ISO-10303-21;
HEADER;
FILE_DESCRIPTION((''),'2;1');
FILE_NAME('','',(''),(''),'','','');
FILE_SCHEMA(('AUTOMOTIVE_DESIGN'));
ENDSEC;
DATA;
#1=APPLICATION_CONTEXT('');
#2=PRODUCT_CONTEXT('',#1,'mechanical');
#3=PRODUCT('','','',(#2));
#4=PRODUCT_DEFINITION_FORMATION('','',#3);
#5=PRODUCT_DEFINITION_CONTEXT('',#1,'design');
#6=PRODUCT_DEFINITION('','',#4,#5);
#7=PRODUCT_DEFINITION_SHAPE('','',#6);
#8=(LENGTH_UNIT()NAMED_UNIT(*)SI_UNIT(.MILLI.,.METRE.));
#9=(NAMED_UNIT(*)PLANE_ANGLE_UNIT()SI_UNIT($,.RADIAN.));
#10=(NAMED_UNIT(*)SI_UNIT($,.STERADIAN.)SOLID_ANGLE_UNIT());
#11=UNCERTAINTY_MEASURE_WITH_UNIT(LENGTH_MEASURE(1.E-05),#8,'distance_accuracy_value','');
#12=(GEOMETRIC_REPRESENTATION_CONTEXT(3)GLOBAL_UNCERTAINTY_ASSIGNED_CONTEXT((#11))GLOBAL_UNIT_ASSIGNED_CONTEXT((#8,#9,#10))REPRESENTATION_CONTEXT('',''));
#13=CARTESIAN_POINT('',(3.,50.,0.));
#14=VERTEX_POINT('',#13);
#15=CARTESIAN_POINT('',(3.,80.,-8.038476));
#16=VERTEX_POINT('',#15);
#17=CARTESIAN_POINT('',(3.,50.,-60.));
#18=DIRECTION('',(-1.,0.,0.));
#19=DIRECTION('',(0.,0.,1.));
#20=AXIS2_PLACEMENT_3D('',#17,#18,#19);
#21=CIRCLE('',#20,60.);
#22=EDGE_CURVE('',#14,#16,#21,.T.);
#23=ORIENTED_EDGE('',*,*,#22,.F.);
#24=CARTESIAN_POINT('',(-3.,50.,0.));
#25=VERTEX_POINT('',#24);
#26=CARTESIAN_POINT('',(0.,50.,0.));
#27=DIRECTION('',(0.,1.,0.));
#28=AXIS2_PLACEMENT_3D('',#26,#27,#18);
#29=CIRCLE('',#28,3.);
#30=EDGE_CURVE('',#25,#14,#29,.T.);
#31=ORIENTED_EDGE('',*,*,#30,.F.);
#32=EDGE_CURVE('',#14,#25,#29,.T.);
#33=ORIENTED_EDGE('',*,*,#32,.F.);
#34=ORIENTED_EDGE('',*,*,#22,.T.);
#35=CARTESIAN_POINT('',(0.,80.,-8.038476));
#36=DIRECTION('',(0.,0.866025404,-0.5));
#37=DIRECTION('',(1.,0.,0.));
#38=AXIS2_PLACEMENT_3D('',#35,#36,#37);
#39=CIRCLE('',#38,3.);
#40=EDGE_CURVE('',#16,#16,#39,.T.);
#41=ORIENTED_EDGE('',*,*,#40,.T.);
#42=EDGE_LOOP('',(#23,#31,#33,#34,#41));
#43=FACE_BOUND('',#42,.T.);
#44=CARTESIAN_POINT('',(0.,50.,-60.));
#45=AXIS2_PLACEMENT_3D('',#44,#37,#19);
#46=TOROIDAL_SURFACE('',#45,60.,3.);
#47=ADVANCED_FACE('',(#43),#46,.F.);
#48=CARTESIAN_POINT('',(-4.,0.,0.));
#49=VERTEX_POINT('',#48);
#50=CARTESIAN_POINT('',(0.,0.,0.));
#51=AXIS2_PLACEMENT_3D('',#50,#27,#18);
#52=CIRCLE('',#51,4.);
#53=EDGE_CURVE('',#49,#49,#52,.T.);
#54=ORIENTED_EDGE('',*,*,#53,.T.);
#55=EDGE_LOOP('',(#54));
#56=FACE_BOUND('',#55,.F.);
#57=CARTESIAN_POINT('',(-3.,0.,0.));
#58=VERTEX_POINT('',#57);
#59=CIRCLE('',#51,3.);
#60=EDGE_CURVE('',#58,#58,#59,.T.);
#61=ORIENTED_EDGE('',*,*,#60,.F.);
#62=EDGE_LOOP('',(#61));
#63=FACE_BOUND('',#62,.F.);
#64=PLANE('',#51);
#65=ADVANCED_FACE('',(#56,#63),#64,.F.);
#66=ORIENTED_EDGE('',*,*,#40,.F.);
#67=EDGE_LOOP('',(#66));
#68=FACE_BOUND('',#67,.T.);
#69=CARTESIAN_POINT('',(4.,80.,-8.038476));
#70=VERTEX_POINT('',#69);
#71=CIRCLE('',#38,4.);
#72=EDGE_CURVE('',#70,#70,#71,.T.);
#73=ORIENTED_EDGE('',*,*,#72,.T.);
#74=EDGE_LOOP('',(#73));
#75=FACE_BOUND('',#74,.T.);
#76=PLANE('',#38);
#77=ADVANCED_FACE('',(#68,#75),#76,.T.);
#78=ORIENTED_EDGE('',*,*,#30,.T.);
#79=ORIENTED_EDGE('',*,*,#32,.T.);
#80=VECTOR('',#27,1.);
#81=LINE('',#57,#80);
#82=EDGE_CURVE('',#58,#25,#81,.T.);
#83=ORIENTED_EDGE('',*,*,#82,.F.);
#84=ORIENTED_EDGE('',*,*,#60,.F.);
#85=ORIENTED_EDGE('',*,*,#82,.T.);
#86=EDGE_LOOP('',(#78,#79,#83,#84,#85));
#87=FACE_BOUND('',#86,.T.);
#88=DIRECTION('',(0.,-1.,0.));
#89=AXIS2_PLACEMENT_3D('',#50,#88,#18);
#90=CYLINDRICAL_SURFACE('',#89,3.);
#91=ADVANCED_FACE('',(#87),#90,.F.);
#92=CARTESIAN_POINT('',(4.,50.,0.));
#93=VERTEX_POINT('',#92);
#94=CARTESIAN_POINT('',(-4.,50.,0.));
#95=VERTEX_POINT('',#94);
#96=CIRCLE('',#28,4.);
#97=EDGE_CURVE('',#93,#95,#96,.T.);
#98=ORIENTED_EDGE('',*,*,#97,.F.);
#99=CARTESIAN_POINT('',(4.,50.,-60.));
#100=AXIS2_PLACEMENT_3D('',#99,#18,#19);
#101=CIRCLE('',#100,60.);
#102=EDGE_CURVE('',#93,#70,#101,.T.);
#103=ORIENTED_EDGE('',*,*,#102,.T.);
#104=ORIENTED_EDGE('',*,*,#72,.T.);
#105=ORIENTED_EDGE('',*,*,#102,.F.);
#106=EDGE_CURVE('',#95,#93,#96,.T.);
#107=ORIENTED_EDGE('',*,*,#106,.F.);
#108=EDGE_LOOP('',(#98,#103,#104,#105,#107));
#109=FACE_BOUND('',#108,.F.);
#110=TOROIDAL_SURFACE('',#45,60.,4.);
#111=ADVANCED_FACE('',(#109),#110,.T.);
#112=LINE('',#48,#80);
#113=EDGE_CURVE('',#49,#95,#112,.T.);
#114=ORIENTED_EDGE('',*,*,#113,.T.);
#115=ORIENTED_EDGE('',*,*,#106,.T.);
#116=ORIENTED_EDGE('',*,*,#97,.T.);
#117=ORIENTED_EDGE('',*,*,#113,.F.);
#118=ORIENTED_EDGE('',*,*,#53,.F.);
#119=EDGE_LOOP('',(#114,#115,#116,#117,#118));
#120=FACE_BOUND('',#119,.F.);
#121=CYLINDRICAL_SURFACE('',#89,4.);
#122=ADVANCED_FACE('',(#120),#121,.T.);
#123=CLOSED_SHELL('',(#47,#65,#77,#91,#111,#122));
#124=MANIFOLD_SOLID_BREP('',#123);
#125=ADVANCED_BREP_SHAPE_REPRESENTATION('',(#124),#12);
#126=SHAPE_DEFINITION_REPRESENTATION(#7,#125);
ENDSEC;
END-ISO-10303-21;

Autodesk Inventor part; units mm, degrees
ref_plane "YZ Plane" through (0, 0, 0) normal (1, 0, 0) x (0, 1, 0)
ref_plane "XZ Plane" through (0, 0, 0) normal (0, 1, 0) x (-1, 0, 0)
ref_plane "XY Plane" through (0, 0, 0) normal (0, 0, 1) x (1, 0, 0)
sketch "Sketch1" plane through (0, 0, 0) normal (0, 1, 0) x (-1, 0, 0)
  circle A0 centre (0, 0) radius 4
  circle A1 centre (0, 0) radius 3
  dimension "d0" = 8
  dimension "d1" = 6
extrude "Extrusion1" add sketch "Sketch1" along normal blind 50
sketch "Sketch2" plane through (0, 50, 0) normal (0, 1, 0) x (1, 0, 0)
  circle A0 centre (0, 0) radius 3
  circle A1 centre (0, 0) radius 4
  line L0 (-9.5533, 60) -> (9.0137, 60)
  dimension "d4" = 6
  dimension "d5" = 8
  dimension "d6" = 60
revolve "Revolution1" add sketch "Sketch2" angle 30 about axis through (-9.5533, 50, -60) along (-1, 0, 0)
properties part number "Bended shaft" material "Stainless Steel"
